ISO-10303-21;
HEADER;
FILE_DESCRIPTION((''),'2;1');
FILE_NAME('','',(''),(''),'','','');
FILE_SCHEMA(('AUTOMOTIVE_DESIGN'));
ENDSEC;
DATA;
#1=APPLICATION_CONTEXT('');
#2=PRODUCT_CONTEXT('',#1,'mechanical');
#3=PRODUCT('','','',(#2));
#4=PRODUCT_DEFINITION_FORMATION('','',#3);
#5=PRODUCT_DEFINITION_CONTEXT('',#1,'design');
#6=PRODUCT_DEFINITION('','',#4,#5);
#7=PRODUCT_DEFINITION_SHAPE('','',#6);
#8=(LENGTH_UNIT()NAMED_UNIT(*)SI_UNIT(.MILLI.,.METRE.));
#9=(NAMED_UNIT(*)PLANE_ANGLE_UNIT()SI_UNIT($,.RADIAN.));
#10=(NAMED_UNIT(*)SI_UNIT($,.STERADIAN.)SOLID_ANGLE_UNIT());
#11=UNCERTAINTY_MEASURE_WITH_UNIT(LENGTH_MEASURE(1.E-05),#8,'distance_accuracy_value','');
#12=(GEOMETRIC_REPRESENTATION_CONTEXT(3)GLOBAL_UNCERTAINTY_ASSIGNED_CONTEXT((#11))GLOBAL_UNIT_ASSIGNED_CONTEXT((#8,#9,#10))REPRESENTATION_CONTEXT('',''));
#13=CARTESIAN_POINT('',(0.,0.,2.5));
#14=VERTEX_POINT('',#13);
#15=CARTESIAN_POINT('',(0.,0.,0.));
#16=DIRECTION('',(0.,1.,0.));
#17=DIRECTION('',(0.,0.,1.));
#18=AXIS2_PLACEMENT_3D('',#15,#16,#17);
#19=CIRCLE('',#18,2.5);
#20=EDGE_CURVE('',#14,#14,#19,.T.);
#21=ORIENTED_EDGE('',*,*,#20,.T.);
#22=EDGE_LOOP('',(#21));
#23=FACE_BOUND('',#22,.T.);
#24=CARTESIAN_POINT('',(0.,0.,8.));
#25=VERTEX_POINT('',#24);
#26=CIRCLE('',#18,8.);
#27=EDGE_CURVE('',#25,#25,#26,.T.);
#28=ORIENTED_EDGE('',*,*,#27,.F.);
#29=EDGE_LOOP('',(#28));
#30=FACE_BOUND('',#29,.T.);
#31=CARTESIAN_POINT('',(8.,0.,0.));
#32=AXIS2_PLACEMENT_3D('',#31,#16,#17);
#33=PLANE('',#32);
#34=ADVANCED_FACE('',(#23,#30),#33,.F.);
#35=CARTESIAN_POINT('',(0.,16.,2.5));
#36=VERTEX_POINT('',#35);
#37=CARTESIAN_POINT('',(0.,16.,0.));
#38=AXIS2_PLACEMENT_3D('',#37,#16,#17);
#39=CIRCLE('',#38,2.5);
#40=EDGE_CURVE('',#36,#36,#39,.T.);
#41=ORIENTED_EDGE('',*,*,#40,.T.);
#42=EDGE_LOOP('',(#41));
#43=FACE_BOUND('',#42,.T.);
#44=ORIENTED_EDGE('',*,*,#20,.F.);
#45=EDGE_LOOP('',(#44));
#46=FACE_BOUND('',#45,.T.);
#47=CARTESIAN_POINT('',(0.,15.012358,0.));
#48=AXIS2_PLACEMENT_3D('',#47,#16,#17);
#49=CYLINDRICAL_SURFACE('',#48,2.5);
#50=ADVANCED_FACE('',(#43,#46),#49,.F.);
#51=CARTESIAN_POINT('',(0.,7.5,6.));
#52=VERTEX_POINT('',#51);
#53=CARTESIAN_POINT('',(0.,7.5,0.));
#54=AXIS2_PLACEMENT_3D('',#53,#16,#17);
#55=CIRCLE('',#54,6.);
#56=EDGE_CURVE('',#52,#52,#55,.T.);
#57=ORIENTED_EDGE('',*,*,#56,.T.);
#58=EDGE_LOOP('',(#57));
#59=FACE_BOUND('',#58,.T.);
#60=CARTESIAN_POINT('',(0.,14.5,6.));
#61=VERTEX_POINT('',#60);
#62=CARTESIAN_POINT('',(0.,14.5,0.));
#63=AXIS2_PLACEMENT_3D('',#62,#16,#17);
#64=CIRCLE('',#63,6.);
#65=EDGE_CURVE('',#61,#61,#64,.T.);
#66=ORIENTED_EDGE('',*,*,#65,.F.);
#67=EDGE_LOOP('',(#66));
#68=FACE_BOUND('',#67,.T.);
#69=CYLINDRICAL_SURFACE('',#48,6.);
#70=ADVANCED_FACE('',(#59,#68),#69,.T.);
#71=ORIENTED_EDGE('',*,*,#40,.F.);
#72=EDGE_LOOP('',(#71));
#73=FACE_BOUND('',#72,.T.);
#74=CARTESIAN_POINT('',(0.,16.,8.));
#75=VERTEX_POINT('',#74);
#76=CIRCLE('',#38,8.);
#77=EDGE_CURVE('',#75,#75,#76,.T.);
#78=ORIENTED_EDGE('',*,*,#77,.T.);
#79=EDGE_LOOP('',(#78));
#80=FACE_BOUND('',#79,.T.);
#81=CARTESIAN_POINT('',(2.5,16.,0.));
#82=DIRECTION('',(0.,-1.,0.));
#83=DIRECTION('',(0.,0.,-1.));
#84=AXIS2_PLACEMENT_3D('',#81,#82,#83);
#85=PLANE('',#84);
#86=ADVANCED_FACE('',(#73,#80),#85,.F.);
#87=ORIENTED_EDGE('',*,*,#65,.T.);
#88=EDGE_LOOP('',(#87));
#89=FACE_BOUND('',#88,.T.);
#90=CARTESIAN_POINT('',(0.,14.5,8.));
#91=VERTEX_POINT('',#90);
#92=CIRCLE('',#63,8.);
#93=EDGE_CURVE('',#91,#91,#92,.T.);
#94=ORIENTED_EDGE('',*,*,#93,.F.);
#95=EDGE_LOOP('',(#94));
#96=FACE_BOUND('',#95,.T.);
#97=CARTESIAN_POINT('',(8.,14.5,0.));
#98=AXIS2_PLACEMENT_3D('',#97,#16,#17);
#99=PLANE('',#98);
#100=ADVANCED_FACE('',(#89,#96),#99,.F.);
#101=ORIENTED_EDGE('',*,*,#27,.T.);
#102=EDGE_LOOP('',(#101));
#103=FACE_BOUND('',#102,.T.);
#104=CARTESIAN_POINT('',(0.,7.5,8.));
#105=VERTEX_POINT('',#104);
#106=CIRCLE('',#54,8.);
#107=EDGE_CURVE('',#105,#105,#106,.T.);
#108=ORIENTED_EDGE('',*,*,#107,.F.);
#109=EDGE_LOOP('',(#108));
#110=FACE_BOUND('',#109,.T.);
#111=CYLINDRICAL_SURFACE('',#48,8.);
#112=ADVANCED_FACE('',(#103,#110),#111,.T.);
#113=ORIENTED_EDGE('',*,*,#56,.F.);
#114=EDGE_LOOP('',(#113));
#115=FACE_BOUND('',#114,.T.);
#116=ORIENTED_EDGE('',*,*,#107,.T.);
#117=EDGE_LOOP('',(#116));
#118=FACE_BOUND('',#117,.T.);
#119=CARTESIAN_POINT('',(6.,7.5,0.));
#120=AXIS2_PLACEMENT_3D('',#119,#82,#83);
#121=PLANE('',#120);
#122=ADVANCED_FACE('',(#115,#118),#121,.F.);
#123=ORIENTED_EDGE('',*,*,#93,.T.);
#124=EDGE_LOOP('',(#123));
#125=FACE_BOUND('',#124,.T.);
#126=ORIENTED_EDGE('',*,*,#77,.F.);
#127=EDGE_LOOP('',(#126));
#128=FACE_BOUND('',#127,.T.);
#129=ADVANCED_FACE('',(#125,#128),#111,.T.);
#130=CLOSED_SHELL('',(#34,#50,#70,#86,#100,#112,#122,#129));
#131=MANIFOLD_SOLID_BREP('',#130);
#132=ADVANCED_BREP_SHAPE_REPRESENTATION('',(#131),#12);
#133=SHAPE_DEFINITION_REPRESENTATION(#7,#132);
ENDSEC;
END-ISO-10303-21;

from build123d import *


with BuildPart() as part:
    # Esboço1 → Revolução1 (revolve)
    with BuildSketch(Plane.XY):
        Polygon((2.5, 16), (8, 16), (8, 14.5), (6, 14.5), (6, 7.5), (8, 7.5), (8, 0), (2.5, 0), align=None)
    revolve(axis=Axis((0, 15.012358039, 0), (0, -1, 0)))


solid = part.part
